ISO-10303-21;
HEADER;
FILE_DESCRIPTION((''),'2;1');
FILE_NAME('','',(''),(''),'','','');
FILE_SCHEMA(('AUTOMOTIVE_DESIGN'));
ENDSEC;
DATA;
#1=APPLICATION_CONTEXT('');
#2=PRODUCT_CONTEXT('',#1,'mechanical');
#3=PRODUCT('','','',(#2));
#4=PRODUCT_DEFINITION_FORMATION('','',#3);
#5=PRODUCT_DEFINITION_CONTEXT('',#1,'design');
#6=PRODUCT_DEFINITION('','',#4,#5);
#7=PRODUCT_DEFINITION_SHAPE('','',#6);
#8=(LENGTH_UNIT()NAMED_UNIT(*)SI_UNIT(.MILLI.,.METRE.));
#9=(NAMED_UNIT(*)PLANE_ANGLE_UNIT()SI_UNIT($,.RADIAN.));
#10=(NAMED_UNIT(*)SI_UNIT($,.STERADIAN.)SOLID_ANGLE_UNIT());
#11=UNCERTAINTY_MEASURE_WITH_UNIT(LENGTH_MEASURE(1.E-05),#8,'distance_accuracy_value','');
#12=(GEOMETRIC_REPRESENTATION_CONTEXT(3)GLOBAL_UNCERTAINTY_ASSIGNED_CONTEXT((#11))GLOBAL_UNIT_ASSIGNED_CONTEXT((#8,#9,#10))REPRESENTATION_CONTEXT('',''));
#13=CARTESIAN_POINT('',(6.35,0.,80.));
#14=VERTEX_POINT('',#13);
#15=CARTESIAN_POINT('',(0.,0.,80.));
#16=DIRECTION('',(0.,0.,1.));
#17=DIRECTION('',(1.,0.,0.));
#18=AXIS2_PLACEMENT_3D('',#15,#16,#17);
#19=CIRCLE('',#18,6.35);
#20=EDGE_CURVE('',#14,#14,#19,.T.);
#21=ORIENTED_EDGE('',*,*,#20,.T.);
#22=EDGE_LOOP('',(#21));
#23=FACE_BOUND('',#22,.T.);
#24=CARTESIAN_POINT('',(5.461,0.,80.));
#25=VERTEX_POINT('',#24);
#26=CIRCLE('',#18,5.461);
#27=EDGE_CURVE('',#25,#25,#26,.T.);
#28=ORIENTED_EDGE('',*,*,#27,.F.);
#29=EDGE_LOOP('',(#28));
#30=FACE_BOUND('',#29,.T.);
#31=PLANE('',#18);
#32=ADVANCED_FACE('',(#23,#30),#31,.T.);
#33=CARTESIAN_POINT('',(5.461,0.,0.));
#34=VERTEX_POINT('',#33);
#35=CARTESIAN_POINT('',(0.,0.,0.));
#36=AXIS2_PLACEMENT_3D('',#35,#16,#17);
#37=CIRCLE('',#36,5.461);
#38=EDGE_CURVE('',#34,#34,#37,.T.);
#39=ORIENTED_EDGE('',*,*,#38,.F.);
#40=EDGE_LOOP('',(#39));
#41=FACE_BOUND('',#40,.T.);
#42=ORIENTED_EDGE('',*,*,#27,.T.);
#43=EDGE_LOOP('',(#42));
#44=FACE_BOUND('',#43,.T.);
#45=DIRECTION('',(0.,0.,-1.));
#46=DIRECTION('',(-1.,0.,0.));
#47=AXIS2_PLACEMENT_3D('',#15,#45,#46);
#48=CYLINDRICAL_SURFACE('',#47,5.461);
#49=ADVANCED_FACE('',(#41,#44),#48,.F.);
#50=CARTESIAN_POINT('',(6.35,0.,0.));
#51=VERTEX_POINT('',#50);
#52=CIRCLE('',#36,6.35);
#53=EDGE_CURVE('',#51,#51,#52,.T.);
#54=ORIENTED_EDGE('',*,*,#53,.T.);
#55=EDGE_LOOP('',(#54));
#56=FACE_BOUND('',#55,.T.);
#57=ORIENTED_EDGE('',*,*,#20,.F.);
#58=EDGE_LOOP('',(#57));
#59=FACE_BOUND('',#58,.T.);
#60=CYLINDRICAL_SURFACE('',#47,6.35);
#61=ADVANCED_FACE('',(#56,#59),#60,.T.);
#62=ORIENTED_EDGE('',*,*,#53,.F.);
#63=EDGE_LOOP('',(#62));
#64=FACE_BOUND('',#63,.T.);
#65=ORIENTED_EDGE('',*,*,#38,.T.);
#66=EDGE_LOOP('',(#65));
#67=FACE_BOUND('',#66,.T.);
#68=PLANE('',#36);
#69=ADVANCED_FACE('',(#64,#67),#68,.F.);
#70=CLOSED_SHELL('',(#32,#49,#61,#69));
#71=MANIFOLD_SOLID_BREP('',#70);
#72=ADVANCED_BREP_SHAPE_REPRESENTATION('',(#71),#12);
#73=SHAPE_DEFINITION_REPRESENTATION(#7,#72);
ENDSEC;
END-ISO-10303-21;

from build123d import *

# Parameters (mm, degrees)
SKETCH1_R           = 6.35
SKETCH1_R_2         = 5.461
BOSS_EXTRUDE1_DEPTH = 80


with BuildPart() as part:
    # Sketch1 → Boss-Extrude1 (new body)
    with BuildSketch(Plane.XY):
        Circle(SKETCH1_R)
        Circle(SKETCH1_R_2, mode=Mode.SUBTRACT)
    extrude(amount=BOSS_EXTRUDE1_DEPTH)


solid = part.part
